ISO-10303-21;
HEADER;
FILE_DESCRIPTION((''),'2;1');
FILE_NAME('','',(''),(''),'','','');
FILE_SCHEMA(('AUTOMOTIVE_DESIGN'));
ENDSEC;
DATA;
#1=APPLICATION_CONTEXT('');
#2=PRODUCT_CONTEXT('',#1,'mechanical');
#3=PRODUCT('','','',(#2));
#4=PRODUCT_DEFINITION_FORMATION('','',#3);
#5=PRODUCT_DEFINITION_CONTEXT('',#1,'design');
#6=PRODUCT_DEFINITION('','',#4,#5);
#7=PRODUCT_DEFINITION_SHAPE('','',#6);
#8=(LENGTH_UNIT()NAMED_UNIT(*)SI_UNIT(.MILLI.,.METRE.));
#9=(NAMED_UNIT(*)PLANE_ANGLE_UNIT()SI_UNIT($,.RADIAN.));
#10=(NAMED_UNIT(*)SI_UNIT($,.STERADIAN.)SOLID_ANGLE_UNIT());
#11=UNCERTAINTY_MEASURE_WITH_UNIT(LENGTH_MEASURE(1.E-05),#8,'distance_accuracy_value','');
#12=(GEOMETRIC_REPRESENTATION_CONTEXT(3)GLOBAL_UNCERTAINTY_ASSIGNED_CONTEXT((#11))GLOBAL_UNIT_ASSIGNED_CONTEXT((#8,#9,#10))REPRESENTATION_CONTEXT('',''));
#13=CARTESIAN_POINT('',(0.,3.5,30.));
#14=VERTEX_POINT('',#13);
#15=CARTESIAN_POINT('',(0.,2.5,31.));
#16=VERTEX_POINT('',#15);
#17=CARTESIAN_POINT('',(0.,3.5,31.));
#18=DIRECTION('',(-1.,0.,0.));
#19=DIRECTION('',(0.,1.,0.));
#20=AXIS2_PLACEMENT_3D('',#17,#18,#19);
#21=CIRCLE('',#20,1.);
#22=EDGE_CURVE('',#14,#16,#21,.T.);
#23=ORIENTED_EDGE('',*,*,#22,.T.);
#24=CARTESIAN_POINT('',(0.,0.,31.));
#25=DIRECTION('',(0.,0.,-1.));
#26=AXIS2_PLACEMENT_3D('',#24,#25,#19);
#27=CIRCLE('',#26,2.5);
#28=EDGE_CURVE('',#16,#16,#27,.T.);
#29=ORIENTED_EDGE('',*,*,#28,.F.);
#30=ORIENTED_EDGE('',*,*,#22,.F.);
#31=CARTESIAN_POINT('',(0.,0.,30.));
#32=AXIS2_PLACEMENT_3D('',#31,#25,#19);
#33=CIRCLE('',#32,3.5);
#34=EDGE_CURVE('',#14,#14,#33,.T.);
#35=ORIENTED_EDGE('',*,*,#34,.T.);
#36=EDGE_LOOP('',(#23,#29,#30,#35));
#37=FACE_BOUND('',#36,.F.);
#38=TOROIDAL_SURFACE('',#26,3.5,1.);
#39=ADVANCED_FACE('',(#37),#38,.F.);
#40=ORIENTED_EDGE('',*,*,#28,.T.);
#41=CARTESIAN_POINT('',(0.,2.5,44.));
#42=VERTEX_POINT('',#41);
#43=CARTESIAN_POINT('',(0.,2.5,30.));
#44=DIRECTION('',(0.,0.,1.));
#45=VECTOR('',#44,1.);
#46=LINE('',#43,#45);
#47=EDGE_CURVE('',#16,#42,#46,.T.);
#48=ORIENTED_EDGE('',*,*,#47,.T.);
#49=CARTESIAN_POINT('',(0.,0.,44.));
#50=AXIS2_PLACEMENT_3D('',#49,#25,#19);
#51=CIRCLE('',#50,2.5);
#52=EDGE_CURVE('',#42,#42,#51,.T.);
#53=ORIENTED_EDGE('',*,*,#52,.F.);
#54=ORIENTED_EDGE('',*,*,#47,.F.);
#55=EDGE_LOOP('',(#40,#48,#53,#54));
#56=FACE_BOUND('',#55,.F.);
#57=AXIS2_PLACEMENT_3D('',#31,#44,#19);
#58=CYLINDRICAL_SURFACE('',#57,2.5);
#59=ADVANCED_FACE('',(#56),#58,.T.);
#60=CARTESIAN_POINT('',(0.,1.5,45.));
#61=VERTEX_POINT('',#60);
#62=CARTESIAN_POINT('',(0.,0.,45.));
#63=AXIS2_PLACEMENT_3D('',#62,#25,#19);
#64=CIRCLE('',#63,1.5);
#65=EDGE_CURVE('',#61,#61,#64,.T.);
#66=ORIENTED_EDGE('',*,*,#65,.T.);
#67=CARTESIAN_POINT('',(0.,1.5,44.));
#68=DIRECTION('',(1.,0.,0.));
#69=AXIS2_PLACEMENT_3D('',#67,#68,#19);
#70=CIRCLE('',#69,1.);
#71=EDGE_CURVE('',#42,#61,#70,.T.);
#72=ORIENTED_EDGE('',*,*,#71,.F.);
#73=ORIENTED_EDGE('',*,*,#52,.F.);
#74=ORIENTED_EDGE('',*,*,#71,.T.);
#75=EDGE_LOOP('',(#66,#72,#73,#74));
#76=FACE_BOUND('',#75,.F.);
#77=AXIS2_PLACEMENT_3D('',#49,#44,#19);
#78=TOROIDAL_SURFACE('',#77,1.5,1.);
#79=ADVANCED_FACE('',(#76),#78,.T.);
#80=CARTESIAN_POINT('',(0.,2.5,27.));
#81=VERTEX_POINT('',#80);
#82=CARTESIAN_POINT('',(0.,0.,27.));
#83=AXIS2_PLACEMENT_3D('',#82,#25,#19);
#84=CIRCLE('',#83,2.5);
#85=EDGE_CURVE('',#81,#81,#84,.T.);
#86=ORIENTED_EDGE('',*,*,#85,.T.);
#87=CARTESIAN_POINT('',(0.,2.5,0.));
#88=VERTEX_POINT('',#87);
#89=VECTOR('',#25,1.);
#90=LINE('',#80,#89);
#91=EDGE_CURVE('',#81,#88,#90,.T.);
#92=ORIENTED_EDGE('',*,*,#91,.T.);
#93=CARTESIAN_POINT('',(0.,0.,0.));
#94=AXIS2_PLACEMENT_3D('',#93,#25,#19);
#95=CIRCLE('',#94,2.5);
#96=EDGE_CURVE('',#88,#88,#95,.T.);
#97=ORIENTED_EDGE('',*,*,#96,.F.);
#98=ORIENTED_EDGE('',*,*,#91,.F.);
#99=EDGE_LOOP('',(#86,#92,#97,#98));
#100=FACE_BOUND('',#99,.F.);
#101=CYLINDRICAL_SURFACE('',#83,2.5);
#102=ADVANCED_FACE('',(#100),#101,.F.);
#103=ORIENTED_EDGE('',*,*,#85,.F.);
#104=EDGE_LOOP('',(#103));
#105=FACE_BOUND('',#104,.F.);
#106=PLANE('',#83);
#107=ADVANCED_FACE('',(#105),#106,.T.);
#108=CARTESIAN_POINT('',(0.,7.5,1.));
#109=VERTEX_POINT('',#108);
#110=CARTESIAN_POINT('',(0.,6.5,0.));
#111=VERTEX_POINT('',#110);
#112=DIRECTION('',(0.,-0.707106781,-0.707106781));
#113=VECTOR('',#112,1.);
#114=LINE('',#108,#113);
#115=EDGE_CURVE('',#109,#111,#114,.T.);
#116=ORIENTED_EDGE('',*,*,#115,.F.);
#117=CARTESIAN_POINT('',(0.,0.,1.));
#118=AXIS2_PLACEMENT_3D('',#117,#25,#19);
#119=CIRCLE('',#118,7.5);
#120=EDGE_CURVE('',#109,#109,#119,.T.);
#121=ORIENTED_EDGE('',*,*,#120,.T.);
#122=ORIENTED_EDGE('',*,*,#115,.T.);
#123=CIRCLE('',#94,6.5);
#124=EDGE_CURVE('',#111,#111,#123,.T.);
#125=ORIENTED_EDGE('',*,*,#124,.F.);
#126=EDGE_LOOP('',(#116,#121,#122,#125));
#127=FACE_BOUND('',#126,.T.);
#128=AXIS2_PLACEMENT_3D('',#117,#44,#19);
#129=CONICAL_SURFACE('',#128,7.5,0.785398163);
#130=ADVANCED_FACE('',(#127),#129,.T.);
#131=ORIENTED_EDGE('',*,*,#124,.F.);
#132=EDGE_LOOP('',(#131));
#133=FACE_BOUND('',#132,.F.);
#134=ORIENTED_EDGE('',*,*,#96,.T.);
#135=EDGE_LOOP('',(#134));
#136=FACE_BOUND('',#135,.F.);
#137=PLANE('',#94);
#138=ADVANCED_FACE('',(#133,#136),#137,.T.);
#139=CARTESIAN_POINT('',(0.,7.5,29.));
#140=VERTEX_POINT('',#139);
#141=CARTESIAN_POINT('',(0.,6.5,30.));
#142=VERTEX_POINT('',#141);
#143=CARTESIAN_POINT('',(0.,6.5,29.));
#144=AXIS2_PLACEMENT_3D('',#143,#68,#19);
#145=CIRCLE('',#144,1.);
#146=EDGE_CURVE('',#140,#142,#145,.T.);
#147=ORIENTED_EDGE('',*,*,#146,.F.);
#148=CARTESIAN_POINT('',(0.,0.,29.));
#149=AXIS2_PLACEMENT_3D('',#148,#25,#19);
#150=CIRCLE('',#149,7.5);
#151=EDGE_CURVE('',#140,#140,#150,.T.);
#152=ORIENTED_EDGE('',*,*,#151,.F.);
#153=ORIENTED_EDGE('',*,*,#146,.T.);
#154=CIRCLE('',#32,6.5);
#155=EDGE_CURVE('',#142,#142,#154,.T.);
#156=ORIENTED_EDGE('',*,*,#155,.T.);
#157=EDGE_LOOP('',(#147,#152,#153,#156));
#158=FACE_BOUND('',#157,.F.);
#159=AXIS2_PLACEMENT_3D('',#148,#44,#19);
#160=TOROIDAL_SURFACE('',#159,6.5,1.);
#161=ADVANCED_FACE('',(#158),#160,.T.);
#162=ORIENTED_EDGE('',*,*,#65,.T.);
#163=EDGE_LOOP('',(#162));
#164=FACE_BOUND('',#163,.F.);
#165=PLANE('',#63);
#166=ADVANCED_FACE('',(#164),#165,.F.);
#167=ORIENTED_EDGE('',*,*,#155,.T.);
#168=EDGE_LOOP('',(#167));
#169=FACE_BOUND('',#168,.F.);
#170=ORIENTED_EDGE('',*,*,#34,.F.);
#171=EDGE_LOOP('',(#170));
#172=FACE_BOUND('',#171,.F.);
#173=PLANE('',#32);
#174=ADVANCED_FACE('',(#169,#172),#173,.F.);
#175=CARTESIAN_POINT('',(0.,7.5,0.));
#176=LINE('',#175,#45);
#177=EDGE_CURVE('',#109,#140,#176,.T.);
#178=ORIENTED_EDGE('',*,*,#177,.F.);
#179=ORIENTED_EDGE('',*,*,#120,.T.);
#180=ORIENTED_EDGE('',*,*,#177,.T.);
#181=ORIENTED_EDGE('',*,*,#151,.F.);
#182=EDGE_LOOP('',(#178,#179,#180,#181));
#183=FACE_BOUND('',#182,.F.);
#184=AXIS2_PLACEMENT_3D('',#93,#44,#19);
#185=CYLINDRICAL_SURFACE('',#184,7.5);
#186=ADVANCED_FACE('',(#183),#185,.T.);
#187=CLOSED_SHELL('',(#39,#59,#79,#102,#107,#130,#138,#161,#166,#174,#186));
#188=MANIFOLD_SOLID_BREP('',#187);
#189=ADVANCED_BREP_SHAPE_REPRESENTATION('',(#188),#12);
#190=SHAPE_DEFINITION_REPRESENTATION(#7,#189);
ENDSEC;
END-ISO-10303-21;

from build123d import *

# Parameters (mm, degrees)
F2_R    = 1
F3_SIZE = 1


with BuildPart() as f1:
    # F0 (on Right) → F1 (revolve)
    with BuildSketch(Plane.YZ):
        Polygon((2.5, 27), (2.5, 0), (7.5, 0), (7.5, 30), (2.5, 30), (2.5, 45), (0, 45), (0, 27), align=None)
    revolve(axis=Axis((0, 0, 12.798217), (0, 0, -1)))

    # F2
    f2_edges = [f1.edges().sort_by_distance(p)[0] for p in [
        (0, -2.5, 45),
        (0, -2.5, 30),
        (0, -7.5, 30),
    ]]
    fillet(f2_edges, radius=F2_R)

    # F3
    f3_edges = [f1.edges().sort_by_distance(p)[0] for p in [
        (0, -7.5, 0),
    ]]
    chamfer(f3_edges, length=F3_SIZE)


solid = f1.part
